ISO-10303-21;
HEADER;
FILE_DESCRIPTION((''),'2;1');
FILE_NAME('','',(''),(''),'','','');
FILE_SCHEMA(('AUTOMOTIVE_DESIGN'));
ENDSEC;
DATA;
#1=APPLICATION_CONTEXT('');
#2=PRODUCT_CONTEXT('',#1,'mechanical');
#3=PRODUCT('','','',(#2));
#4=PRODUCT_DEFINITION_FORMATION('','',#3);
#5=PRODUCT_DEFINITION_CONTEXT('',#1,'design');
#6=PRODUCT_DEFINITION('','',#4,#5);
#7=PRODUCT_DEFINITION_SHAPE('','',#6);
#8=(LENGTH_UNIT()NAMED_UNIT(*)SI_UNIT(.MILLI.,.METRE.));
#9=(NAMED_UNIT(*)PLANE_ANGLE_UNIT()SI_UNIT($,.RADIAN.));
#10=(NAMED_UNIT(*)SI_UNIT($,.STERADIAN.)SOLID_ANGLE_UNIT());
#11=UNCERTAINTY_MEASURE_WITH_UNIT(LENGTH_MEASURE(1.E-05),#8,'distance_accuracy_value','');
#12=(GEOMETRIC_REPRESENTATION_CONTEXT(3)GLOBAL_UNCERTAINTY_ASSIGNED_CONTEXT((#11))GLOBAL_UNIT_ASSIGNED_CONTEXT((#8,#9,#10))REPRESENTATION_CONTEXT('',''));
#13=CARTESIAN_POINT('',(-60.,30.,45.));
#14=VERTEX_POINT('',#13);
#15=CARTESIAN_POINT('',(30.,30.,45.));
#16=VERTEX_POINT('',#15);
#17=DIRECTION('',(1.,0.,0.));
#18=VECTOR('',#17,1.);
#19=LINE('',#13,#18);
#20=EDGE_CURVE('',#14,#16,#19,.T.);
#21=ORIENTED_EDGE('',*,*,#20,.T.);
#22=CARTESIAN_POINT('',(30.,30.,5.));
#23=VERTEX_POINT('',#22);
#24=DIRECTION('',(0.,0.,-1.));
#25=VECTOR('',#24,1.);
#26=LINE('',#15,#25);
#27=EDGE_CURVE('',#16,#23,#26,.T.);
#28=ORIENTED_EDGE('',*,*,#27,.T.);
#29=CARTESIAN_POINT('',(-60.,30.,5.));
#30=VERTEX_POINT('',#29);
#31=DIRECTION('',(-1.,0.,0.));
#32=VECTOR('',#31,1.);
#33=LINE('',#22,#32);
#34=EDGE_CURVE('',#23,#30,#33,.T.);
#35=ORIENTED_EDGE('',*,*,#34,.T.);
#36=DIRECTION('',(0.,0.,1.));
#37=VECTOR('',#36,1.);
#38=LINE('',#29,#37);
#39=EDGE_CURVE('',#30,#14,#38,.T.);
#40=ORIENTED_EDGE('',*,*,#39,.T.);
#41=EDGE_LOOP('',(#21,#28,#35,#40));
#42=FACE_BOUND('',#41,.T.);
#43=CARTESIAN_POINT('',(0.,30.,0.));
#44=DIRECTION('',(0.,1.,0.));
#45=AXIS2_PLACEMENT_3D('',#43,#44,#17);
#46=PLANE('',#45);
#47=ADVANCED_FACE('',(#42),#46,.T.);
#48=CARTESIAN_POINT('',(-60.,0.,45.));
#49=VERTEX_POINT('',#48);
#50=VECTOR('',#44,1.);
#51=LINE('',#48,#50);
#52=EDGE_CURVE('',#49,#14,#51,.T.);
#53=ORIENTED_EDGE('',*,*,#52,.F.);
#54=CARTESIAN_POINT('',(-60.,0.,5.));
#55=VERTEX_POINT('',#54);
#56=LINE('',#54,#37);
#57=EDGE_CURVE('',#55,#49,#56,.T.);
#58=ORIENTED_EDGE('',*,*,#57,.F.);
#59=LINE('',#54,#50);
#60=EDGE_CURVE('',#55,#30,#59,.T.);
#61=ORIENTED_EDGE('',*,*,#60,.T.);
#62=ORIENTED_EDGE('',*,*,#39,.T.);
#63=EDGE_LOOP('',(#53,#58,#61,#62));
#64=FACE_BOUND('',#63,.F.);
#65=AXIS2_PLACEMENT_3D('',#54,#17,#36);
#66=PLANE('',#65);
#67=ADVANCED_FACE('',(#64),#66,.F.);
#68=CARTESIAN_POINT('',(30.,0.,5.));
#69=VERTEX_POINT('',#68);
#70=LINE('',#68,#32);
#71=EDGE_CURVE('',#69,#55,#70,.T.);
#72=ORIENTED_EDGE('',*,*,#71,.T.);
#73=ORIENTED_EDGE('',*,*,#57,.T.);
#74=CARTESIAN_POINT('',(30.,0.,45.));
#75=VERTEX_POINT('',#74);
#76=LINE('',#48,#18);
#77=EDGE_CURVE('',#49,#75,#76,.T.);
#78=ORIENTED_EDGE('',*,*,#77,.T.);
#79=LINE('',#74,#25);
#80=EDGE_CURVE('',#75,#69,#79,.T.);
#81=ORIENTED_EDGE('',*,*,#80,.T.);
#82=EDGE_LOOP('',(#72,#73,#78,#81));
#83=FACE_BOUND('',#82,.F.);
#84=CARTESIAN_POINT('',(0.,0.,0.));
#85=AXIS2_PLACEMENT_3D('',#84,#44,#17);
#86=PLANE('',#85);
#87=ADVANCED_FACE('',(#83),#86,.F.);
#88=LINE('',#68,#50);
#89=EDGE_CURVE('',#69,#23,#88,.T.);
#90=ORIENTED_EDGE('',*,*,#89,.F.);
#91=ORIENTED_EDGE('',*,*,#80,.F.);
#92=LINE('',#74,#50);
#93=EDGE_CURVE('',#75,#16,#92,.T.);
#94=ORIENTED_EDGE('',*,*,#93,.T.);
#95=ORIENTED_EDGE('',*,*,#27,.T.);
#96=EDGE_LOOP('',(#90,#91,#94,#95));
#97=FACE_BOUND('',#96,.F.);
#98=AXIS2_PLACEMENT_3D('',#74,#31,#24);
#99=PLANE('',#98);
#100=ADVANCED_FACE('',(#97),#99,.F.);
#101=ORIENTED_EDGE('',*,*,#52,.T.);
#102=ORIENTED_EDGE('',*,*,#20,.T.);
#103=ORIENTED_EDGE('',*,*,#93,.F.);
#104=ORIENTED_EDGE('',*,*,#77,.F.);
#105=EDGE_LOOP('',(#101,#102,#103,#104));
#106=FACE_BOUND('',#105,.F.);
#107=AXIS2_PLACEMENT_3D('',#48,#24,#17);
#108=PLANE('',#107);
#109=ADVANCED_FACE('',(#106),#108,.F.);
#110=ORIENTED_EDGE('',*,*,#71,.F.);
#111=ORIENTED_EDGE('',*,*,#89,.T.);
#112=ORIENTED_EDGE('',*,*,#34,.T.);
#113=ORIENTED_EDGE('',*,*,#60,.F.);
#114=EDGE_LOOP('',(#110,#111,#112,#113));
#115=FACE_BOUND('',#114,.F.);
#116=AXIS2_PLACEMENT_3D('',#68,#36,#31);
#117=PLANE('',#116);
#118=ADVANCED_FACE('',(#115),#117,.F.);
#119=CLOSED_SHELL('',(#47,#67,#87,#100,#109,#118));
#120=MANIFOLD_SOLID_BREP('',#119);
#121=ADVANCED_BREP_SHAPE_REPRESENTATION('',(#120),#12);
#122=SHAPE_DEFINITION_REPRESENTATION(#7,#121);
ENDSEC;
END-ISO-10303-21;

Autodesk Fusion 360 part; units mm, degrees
sketch "Sketch1" plane through (0, 0, 0) normal (0, 1, 0) x (1, 0, 0)
  line L0 (-60, -45) -> (30, -45)
  line L1 (30, -45) -> (30, -5)
  line L2 (30, -5) -> (-60, -5)
  line L3 (-60, -5) -> (-60, -45)
extrude "Extrude1" add sketch "Sketch1" along normal blind 30
